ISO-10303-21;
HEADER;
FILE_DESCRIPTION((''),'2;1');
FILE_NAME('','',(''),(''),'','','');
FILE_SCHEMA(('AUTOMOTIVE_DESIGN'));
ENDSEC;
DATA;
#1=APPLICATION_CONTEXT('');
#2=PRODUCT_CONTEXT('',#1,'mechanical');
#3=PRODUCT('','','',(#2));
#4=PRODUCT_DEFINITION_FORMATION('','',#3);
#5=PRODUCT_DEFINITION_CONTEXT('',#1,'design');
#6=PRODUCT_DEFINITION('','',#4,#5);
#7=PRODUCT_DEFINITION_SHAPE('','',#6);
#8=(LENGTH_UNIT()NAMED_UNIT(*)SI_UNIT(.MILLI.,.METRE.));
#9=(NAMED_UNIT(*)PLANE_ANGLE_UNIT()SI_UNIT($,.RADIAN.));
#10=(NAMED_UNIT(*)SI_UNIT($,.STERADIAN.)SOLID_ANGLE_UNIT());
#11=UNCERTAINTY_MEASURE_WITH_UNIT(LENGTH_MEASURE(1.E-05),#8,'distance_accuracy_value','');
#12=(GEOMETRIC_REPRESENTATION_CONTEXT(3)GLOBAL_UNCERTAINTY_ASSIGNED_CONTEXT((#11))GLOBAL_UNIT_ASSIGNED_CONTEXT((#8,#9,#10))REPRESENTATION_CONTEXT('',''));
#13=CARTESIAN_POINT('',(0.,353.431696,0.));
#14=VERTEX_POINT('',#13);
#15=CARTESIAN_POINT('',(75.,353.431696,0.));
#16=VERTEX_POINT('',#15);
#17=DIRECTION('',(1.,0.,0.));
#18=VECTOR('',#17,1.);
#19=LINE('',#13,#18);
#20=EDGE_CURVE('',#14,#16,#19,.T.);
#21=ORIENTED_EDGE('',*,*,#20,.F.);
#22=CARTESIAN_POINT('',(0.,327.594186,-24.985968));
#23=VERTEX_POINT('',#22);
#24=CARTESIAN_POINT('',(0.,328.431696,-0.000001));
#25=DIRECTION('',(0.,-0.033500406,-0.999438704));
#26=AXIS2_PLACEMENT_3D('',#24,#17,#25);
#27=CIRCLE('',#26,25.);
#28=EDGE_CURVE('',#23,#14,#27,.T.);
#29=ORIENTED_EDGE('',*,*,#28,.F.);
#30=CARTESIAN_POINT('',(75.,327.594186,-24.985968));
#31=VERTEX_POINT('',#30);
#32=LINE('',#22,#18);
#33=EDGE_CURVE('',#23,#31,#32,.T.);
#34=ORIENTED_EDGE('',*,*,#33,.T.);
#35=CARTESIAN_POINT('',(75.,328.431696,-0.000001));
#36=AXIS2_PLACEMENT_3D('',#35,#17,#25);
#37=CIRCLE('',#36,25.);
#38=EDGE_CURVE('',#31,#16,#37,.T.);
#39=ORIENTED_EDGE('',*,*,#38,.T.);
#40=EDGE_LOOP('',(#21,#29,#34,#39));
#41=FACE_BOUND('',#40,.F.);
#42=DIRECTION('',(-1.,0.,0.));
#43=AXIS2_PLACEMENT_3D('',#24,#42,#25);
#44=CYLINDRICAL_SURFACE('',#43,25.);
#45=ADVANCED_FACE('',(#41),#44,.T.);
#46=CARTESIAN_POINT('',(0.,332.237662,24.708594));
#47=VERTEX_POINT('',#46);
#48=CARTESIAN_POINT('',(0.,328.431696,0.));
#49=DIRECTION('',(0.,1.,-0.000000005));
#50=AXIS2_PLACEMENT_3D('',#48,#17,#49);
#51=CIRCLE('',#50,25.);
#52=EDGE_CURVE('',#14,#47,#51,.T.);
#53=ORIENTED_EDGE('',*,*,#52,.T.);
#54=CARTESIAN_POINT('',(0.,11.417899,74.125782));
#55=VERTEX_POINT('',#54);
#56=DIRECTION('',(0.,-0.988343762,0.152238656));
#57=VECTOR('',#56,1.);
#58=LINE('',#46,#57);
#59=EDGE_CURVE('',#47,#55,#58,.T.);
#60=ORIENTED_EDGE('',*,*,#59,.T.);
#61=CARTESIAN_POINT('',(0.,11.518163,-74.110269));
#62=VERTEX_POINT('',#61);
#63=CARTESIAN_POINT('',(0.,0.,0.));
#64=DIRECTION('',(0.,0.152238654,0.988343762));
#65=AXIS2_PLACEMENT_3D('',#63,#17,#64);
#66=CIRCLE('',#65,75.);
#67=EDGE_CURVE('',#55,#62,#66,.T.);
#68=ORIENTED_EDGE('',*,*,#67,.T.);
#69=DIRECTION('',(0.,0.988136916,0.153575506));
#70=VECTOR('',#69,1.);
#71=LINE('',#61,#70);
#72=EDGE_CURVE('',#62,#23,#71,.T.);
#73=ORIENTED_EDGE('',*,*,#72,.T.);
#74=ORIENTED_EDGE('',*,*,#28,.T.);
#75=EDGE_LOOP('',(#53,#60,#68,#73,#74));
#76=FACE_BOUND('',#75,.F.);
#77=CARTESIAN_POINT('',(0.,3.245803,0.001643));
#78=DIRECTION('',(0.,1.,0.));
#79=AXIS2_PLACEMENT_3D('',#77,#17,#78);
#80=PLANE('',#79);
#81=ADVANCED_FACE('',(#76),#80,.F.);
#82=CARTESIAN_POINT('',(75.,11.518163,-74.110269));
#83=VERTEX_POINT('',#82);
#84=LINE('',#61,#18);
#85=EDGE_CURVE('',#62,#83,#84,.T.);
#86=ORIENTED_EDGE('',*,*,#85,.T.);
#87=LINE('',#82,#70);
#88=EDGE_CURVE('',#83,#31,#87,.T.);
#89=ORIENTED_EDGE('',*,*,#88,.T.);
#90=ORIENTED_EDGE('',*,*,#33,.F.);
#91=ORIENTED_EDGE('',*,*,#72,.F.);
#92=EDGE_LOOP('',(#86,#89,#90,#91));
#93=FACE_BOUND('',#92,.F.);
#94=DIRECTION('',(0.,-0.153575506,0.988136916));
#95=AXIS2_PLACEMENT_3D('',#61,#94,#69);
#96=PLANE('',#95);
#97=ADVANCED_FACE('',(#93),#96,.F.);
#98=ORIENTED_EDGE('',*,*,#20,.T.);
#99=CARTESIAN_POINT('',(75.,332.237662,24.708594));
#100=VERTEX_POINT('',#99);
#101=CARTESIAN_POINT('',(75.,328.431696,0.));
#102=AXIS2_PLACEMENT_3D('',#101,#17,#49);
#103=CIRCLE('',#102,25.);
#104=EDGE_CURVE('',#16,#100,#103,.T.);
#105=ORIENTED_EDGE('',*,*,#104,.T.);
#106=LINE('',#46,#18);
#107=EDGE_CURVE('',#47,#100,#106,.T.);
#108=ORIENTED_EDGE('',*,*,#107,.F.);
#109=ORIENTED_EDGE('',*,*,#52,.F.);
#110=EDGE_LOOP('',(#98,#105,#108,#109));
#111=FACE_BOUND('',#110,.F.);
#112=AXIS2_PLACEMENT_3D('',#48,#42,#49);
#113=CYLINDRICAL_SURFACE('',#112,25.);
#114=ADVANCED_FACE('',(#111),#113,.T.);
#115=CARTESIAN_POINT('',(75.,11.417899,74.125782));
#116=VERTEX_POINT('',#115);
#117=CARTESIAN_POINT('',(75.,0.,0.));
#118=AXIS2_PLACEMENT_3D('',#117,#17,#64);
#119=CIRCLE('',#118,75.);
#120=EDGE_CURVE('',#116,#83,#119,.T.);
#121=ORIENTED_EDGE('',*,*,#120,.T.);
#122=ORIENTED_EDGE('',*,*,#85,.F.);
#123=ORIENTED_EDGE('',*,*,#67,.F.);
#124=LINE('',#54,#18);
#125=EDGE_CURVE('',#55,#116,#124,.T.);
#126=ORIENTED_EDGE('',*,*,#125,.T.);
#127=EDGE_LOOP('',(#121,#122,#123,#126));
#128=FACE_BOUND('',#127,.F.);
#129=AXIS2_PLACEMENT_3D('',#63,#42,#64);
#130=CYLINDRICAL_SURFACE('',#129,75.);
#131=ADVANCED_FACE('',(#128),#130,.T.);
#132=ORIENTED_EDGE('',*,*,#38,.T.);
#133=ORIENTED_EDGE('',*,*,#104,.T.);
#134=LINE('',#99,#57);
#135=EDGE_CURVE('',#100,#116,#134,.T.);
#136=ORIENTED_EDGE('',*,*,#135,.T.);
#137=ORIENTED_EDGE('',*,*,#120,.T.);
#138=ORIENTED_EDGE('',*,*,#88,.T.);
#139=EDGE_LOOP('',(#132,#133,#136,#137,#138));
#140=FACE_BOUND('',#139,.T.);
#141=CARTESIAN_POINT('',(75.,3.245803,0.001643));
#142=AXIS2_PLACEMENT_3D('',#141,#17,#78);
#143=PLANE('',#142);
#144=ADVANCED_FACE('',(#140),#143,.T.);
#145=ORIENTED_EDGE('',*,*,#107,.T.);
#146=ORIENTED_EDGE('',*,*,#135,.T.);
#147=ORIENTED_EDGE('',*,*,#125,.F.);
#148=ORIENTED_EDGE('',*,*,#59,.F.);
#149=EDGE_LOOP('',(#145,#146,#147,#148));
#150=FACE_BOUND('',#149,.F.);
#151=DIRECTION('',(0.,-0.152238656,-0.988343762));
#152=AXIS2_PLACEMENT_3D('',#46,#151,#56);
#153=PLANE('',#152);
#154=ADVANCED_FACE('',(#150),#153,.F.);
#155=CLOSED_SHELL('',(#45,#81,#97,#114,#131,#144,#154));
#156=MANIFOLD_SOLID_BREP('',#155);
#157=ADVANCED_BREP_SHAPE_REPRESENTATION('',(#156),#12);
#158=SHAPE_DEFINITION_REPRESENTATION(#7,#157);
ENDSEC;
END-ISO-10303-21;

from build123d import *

# Parameters (mm, degrees)
F1_DEPTH = 75


with BuildPart() as f1:
    # F0 (on Right) → F1 (new body)
    with BuildSketch(Plane.YZ):
        with BuildLine():
            ThreePointArc((11.518163, -74.110269), (56.959908, -48.791074), (75, 0))
            ThreePointArc((75, 0), (56.926894, 48.829589), (11.417899, 74.125782))
            ThreePointArc((11.417899, 74.125782), (-74.999983, -0.050728), (11.518163, -74.110269))
        make_face()
        with BuildLine():
            ThreePointArc((11.417899, 74.125782), (56.926894, 48.829589), (75, 0))
            ThreePointArc((75, 0), (56.959908, -48.791074), (11.518163, -74.110269))
            Line((11.518163, -74.110269), (327.594186, -24.985968))
            ThreePointArc((327.594186, -24.985968), (303.540125, 2.325877), (332.237662, 24.708594))
            Line((332.237662, 24.708594), (11.417899, 74.125782))
        make_face()
        with BuildLine():
            ThreePointArc((353.431696, 0), (347.407327, 16.27653), (332.237662, 24.708594))
            ThreePointArc((332.237662, 24.708594), (303.540125, 2.325877), (327.594186, -24.985968))
            ThreePointArc((327.594186, -24.985968), (345.810739, -17.971335), (353.431696, 0))
        make_face()
    extrude(amount=F1_DEPTH)


solid = f1.part
